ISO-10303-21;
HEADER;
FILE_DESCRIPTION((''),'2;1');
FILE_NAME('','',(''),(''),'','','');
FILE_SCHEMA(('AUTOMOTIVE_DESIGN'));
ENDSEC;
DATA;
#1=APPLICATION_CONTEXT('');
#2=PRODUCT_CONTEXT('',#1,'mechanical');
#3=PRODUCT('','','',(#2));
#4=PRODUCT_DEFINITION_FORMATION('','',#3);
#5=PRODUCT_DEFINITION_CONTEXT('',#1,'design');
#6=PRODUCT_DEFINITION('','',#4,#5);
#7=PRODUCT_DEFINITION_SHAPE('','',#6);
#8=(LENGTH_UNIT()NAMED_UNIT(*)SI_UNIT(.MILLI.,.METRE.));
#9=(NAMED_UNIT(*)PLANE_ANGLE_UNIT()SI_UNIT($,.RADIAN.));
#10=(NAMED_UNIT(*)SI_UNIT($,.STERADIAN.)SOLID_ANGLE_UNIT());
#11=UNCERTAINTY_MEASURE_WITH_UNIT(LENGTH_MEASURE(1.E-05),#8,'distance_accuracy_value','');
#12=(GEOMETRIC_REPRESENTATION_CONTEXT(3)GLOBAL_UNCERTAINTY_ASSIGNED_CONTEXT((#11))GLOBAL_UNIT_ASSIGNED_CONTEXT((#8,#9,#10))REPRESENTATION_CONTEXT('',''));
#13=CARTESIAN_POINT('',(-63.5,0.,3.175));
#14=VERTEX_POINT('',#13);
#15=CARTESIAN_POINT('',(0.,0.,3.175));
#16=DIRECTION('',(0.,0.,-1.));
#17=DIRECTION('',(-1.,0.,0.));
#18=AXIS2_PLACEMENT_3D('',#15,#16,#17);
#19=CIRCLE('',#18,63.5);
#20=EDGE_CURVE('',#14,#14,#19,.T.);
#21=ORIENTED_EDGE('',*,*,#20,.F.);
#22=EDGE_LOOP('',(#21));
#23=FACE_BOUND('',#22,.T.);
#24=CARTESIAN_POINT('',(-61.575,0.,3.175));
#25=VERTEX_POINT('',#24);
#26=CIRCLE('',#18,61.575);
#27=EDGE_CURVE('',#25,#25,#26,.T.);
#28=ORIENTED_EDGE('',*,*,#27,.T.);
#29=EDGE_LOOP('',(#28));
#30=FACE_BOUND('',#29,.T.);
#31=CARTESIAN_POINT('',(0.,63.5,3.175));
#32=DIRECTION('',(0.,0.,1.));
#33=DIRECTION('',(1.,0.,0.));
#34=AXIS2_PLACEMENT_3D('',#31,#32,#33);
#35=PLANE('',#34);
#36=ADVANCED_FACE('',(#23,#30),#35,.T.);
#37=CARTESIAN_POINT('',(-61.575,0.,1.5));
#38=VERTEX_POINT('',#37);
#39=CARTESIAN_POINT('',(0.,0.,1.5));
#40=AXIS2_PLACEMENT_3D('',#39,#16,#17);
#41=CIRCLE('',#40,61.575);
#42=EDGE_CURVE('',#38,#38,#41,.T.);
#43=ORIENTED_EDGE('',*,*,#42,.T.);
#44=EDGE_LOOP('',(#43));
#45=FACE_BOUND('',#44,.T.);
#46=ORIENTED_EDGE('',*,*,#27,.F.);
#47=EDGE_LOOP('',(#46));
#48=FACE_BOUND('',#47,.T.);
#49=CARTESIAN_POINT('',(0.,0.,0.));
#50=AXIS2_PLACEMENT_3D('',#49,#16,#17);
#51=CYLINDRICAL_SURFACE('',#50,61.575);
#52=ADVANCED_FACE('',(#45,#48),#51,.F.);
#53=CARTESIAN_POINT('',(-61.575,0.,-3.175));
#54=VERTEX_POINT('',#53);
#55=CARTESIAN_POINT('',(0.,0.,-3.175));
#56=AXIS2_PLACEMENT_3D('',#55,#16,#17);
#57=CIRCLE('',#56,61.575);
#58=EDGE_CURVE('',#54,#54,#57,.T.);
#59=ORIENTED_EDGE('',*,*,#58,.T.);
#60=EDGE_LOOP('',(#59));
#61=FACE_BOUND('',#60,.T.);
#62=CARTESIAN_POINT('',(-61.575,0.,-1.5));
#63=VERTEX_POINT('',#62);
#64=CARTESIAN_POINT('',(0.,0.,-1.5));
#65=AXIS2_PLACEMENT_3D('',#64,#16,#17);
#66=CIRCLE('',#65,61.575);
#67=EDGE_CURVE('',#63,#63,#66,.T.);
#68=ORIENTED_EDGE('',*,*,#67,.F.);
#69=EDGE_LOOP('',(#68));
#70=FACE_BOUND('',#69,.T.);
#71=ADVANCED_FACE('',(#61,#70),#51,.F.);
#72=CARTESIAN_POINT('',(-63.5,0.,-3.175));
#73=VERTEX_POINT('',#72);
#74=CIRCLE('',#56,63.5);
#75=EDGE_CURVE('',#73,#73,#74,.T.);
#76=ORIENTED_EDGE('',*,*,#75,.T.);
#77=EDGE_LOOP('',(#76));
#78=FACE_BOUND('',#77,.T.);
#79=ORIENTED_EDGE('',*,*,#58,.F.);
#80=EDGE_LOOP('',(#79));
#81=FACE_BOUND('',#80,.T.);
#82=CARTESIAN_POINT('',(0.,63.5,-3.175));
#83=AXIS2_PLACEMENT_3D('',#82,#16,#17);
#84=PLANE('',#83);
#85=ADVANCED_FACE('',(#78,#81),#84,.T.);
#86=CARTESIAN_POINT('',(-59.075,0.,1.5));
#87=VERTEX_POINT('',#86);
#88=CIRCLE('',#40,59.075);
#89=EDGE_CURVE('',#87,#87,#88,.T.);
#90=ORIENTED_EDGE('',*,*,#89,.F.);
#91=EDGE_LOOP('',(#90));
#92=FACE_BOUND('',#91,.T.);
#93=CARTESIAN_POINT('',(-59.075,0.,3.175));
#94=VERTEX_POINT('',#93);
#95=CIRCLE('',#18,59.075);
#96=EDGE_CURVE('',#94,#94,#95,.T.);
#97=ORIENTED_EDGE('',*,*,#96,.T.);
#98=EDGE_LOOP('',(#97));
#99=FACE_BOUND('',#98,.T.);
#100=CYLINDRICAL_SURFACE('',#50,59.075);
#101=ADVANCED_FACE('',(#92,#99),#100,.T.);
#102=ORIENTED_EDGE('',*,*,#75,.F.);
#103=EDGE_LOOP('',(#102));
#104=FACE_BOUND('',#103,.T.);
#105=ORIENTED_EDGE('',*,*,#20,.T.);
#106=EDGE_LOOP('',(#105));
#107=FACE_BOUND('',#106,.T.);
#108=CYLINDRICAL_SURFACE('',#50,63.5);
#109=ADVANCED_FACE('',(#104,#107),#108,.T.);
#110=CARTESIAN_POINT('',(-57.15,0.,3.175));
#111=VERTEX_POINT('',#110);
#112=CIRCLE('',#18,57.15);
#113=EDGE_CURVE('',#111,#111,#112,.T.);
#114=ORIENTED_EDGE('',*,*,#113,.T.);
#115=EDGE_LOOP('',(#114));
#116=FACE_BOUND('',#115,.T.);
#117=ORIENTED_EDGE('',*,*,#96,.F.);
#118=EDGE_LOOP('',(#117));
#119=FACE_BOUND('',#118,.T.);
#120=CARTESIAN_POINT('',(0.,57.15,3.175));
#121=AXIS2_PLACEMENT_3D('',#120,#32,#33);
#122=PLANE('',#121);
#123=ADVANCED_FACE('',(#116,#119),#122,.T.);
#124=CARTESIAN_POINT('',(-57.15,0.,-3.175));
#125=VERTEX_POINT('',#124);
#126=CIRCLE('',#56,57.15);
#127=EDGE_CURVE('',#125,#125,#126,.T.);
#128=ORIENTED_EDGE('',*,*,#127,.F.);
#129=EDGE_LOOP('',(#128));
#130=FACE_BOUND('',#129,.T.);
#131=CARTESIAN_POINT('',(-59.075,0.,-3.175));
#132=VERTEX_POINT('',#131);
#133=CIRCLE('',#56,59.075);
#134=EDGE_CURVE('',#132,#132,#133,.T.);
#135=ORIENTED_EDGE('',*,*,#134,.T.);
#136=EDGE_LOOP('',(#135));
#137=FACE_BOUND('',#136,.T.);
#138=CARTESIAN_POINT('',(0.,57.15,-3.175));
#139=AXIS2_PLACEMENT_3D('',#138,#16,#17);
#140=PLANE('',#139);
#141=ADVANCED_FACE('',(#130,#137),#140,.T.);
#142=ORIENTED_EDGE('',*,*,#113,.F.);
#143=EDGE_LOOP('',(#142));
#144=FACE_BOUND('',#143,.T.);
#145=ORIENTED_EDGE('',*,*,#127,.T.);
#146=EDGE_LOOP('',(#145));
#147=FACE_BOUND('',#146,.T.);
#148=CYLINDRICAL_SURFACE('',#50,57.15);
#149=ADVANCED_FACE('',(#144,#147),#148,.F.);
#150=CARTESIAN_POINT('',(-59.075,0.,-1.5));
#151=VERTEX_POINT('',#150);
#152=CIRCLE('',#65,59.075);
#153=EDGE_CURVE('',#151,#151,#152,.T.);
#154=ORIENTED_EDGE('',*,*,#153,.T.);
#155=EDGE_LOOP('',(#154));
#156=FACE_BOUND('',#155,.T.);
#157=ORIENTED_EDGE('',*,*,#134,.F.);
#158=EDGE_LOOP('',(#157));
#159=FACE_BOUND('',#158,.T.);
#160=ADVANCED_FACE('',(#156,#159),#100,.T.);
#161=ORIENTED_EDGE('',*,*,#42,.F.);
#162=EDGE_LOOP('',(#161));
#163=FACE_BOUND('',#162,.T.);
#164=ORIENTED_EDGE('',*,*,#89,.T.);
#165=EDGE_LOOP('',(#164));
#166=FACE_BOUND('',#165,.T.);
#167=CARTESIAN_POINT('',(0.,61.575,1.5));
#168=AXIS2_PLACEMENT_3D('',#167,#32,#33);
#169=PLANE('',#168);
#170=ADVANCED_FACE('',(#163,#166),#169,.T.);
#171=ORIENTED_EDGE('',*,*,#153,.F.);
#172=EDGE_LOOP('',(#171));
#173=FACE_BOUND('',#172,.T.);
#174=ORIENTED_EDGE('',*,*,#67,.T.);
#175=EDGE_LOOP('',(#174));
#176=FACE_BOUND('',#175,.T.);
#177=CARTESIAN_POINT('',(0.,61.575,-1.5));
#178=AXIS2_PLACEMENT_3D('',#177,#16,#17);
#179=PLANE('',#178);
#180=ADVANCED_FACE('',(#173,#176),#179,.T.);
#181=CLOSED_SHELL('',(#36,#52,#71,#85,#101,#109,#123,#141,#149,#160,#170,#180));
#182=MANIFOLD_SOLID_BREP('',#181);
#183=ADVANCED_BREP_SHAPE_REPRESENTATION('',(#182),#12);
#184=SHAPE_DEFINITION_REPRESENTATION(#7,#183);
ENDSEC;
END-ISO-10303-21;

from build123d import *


with BuildPart() as part:
    # 草图1 → 旋转1 (revolve)
    with BuildSketch(Plane(origin=(0, 0, 0), x_dir=(0, 0, -1), z_dir=(1, 0, 0)), mode=Mode.PRIVATE) as revolve_1_sk:
        Polygon((-3.175, 63.5), (3.175, 63.5), (3.175, 61.575), (1.5, 61.575), (1.5, 59.075), (3.175, 59.075), (3.175, 57.15), (-3.175, 57.15), (-3.175, 59.075), (-1.5, 59.075), (-1.5, 61.575), (-3.175, 61.575), align=None)
    revolve(revolve_1_sk.sketch.rotate(Axis((0, 0, 0), (0, 0, 1)), 90), axis=Axis((0, 0, 0), (0, 0, 1)))


solid = part.part
